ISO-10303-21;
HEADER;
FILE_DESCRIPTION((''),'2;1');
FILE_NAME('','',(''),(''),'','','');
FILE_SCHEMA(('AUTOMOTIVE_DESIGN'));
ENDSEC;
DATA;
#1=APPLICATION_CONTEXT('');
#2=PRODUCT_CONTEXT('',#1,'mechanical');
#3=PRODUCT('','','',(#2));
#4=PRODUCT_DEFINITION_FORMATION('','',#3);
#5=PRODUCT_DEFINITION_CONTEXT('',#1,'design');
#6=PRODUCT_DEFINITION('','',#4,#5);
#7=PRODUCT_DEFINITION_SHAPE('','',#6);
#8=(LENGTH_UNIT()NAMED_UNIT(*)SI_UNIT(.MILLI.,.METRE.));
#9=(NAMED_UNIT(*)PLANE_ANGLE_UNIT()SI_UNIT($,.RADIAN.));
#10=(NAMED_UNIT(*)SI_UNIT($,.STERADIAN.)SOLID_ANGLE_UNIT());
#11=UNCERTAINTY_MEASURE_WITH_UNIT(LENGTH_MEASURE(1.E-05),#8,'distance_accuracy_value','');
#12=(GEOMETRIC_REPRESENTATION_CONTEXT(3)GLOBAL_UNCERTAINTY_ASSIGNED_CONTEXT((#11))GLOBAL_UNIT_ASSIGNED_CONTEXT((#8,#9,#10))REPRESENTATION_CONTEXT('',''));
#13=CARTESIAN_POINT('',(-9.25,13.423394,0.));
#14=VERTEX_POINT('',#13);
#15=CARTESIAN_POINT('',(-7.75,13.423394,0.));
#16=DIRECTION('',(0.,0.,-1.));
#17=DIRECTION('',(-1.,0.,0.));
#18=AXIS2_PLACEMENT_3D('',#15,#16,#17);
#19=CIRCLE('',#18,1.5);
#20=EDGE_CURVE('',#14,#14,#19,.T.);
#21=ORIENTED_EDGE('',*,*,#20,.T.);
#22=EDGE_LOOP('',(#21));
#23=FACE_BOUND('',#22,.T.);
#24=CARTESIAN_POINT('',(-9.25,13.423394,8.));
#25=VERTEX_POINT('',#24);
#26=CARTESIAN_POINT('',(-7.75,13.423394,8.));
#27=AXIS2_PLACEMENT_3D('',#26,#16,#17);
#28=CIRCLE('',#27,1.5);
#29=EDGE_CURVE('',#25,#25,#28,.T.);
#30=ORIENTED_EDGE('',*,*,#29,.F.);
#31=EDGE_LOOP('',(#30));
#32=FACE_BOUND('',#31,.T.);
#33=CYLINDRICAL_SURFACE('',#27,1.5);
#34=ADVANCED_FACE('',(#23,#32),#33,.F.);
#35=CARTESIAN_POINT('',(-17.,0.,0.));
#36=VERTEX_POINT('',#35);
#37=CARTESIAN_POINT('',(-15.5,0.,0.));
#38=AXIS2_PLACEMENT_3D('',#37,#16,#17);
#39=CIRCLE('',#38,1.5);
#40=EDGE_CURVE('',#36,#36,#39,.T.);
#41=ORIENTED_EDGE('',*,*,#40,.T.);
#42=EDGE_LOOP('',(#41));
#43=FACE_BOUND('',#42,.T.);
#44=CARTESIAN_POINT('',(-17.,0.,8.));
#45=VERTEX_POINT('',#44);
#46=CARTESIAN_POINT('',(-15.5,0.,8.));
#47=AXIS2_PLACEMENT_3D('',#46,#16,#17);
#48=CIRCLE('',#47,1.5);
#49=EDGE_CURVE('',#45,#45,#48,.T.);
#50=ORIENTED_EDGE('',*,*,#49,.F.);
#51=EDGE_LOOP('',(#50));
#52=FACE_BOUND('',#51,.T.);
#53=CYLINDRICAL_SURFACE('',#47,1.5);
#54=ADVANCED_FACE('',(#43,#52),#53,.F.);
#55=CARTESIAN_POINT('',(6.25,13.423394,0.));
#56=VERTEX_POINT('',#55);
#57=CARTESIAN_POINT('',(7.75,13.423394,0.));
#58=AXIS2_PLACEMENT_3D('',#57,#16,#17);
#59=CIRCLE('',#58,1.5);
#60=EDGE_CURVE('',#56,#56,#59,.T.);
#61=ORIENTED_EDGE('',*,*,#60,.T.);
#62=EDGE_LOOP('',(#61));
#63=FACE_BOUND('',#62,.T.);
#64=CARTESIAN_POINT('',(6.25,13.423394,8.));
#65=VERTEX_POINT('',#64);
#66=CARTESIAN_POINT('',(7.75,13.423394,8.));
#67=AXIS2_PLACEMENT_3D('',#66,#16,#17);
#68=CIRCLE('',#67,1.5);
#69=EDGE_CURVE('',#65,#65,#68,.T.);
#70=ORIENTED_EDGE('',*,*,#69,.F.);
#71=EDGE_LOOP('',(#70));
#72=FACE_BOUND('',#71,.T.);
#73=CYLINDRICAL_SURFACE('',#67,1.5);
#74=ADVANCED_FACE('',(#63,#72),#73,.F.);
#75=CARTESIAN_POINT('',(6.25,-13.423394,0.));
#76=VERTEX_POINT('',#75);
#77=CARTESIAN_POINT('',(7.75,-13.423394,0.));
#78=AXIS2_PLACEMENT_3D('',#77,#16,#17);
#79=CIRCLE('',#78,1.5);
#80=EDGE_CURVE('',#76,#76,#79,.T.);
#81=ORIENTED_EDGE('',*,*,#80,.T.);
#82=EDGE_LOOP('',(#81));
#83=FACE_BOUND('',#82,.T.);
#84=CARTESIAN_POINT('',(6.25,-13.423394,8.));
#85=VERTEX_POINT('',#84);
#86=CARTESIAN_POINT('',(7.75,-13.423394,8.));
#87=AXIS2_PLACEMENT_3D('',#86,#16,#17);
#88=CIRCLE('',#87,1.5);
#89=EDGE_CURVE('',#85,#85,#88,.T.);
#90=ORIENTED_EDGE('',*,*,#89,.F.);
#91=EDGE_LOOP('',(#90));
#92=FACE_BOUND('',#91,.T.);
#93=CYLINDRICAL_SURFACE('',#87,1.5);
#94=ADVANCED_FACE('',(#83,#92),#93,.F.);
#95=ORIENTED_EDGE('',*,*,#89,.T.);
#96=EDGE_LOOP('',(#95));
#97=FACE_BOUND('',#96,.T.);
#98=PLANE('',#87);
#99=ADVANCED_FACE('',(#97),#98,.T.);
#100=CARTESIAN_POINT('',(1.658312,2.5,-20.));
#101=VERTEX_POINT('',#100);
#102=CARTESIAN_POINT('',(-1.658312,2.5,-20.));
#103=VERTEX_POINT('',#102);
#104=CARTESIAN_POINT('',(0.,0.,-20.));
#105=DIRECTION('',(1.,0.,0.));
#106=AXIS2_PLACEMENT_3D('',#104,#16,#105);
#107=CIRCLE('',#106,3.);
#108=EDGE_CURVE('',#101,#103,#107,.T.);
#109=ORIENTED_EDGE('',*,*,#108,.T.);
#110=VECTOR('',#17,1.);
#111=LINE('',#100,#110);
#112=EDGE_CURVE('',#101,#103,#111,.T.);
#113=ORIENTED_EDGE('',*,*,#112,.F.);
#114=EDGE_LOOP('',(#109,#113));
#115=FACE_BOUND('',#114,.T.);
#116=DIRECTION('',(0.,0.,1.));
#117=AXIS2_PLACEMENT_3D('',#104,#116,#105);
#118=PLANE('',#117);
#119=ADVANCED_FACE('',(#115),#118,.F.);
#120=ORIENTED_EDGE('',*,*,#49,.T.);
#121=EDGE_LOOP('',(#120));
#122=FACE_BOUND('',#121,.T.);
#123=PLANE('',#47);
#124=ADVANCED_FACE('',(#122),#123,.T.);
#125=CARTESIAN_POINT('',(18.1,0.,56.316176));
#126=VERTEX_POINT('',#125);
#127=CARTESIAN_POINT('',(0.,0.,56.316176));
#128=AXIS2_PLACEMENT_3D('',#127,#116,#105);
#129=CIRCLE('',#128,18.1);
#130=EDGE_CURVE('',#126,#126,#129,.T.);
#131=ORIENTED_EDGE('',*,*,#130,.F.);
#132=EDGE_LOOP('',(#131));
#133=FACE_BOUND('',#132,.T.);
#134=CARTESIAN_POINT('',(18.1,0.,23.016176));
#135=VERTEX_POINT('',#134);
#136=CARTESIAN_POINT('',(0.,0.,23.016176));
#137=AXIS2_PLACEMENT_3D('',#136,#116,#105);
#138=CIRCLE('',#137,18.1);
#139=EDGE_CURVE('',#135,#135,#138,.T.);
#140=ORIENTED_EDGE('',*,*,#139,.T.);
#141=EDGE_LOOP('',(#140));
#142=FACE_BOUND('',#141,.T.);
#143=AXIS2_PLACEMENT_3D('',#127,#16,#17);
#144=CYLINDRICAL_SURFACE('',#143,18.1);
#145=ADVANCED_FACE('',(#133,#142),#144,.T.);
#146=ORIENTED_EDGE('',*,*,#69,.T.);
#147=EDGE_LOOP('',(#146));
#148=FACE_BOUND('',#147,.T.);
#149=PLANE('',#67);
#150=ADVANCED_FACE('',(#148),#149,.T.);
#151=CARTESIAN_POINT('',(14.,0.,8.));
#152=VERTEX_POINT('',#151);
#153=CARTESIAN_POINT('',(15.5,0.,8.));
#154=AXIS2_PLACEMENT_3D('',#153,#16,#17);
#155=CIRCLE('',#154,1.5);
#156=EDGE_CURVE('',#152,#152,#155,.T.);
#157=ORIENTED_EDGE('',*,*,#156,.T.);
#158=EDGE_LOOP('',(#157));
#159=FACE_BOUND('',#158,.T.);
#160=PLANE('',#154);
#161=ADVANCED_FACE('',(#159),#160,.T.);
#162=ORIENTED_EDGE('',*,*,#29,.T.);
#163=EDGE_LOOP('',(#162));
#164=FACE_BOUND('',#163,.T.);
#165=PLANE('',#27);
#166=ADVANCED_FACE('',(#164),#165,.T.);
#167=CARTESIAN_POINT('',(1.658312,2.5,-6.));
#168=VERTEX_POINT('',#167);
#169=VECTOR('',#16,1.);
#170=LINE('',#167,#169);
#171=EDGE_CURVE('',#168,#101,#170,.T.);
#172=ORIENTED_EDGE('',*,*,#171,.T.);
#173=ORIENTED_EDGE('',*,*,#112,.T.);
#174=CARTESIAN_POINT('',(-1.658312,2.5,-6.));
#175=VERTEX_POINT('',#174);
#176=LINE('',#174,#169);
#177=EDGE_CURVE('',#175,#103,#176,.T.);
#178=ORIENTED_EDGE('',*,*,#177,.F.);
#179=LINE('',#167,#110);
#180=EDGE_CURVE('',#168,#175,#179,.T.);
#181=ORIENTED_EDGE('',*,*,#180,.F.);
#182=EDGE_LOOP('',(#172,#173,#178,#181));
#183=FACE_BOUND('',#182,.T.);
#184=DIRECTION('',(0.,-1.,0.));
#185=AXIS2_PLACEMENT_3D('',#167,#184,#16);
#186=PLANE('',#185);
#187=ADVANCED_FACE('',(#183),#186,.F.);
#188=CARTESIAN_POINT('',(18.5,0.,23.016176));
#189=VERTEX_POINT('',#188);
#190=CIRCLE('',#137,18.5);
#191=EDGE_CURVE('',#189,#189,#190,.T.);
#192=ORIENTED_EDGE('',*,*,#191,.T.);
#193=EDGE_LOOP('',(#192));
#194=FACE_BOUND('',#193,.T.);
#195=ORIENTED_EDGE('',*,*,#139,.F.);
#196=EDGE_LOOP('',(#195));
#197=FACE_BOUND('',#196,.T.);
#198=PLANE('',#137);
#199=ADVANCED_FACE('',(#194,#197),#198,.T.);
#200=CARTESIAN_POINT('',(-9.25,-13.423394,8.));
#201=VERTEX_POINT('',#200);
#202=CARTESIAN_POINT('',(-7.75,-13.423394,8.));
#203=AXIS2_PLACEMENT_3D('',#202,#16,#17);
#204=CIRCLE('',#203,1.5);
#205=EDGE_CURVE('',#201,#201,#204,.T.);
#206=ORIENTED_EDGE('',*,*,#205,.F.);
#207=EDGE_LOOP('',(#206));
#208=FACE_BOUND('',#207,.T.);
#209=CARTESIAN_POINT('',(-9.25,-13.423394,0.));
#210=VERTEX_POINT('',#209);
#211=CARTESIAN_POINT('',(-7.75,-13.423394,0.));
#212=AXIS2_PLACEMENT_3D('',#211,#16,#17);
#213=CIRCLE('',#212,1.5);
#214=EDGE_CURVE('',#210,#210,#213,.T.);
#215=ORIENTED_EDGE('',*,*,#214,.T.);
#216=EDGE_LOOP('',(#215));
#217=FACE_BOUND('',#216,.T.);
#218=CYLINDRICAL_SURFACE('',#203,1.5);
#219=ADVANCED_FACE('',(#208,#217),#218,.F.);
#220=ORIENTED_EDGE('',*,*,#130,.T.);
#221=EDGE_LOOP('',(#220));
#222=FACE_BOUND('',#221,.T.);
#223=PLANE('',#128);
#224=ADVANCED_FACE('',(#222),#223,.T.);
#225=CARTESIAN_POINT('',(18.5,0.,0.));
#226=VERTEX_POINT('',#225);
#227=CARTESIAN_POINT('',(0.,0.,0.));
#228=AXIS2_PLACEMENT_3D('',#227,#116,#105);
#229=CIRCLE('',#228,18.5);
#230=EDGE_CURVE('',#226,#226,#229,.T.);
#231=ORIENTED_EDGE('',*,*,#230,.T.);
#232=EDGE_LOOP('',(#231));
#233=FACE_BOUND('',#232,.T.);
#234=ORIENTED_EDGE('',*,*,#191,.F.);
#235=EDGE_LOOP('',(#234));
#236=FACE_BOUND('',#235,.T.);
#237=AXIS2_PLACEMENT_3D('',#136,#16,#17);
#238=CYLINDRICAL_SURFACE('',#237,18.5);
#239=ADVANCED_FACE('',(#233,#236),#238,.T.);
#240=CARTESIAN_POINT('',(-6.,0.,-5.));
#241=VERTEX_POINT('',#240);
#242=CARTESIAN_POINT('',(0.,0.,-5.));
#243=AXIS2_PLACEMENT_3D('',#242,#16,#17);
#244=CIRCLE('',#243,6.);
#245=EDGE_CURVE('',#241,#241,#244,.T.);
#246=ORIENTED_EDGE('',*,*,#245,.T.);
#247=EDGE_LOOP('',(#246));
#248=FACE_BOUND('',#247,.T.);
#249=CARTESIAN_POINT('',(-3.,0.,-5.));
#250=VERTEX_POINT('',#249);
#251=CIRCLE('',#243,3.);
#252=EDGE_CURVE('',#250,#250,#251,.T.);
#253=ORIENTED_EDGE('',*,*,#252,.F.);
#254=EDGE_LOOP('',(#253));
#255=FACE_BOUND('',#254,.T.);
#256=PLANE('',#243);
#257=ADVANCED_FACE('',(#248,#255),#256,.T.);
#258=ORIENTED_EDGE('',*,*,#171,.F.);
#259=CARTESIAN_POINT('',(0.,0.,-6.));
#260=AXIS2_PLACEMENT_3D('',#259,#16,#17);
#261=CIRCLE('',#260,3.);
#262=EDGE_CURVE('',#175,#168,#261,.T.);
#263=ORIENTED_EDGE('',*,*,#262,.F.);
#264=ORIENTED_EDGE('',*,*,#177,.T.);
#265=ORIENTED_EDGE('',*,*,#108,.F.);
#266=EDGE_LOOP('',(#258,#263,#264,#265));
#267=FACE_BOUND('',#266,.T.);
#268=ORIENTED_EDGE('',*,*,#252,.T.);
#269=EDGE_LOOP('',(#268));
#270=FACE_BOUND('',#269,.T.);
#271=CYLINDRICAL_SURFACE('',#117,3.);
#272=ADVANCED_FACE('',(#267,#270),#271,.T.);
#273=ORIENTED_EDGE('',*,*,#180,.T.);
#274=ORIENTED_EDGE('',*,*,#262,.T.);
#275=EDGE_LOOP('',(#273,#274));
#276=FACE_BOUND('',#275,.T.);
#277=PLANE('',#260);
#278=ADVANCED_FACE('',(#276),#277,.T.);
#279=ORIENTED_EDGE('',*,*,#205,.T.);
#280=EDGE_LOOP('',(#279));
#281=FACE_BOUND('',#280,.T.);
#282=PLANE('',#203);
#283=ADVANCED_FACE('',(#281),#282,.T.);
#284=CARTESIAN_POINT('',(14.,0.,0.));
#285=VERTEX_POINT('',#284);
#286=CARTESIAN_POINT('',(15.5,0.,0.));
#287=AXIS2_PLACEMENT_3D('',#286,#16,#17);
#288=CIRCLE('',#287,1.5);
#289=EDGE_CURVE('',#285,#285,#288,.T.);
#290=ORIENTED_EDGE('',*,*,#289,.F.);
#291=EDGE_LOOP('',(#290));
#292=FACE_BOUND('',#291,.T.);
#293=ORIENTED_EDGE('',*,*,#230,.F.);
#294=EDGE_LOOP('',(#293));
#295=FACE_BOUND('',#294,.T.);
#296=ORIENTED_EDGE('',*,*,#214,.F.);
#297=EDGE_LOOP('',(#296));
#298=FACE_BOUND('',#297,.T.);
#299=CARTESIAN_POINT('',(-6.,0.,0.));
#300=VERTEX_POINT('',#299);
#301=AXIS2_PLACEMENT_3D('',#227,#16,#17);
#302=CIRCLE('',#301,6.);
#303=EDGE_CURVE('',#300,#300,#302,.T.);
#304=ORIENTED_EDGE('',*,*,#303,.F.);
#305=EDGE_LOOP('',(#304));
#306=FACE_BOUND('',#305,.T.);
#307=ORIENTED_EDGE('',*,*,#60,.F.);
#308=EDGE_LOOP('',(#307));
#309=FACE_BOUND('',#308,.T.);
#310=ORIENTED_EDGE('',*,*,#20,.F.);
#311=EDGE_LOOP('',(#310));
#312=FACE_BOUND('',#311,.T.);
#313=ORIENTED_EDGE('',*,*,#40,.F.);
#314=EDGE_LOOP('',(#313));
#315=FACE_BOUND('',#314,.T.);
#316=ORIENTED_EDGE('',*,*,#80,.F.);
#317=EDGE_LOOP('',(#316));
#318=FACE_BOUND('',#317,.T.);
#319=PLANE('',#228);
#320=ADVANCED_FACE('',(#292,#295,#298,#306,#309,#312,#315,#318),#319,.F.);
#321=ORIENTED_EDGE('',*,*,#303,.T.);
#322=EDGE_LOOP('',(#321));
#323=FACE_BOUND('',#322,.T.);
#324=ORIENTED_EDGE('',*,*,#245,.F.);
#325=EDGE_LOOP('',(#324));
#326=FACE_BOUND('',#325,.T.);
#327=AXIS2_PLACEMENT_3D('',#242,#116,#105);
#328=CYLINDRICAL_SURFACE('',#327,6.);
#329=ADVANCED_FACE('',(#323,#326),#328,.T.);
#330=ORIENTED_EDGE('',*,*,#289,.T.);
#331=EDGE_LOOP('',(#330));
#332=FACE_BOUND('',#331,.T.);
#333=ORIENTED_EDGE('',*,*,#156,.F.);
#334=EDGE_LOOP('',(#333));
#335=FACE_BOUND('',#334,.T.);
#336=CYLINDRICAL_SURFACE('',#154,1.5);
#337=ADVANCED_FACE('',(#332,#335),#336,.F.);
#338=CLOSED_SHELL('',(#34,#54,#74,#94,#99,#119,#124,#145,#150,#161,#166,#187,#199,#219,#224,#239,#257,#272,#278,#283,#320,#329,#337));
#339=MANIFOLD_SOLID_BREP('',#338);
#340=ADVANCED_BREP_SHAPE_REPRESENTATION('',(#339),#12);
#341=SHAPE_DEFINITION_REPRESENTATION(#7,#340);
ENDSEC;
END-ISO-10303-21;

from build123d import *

# Parameters (mm, degrees)
SKETCH1_R           = 18.5
BOSS_EXTRUDE1_DEPTH = 23.016176471
SKETCH2_R           = 18.1
BOSS_EXTRUDE2_DEPTH = 33.3
SKETCH3_R           = 6
BOSS_EXTRUDE3_DEPTH = 5
BOSS_EXTRUDE4_DEPTH = 15
CUT_EXTRUDE1_START  = -14
CUT_EXTRUDE1_DEPTH  = 14
SKETCH6_R           = 1.5
CUT_EXTRUDE2_DEPTH  = 8


with BuildPart() as part:
    # Sketch1 → Boss-Extrude1 (new body)
    with BuildSketch(Plane.XY):
        Circle(SKETCH1_R)
    extrude(amount=BOSS_EXTRUDE1_DEPTH)

    # Sketch2 → Boss-Extrude2 (add)
    with BuildSketch(Plane.XY.offset(23.016176471)):
        Circle(SKETCH2_R)
    extrude(amount=BOSS_EXTRUDE2_DEPTH)

    # Sketch3 → Boss-Extrude3 (add)
    with BuildSketch(Plane(origin=(0, 0, 0), x_dir=(-1, 0, 0), z_dir=(0, 0, -1))):
        Circle(SKETCH3_R)
    extrude(amount=BOSS_EXTRUDE3_DEPTH)

    # Sketch4 → Boss-Extrude4 (add)
    with BuildSketch(Plane(origin=(0, 0, -5), x_dir=(-1, 0, 0), z_dir=(0, 0, -1))):
        with BuildLine():
            ThreePointArc((-0.515876955, 2.95531233), (0, -3), (0.515876955, 2.95531233))
            ThreePointArc((0.515876955, 2.95531233), (0, 3), (-0.515876955, 2.95531233))
        make_face()
    extrude(amount=BOSS_EXTRUDE4_DEPTH)

    # Sketch5 → Cut-Extrude1 (cut)
    with BuildSketch(Plane(origin=(0, 0, -20), x_dir=(-1, 0, 0), z_dir=(0, 0, -1)).offset(CUT_EXTRUDE1_START)):
        with BuildLine():
            Line((-1.658312395, 2.5), (1.658312395, 2.5))
            ThreePointArc((1.658312395, 2.5), (0, 3), (-1.658312395, 2.5))
        make_face()
    extrude(amount=CUT_EXTRUDE1_DEPTH, mode=Mode.SUBTRACT)

    # Sketch6 → Cut-Extrude2 (cut)
    with BuildSketch(Plane(origin=(0, 0, 0), x_dir=(-1, 0, 0), z_dir=(0, 0, -1))):
        with Locations((7.75, 13.423393759)):
            Circle(SKETCH6_R)
        with Locations((15.5, 0)):
            Circle(SKETCH6_R)
        with Locations((7.75, -13.423393759)):
            Circle(SKETCH6_R)
        with Locations((-7.75, -13.423393759)):
            Circle(SKETCH6_R)
        with Locations((-15.5, 0)):
            Circle(SKETCH6_R)
        with Locations((-7.75, 13.423393759)):
            Circle(SKETCH6_R)
    extrude(amount=-CUT_EXTRUDE2_DEPTH, mode=Mode.SUBTRACT)


solid = part.part
